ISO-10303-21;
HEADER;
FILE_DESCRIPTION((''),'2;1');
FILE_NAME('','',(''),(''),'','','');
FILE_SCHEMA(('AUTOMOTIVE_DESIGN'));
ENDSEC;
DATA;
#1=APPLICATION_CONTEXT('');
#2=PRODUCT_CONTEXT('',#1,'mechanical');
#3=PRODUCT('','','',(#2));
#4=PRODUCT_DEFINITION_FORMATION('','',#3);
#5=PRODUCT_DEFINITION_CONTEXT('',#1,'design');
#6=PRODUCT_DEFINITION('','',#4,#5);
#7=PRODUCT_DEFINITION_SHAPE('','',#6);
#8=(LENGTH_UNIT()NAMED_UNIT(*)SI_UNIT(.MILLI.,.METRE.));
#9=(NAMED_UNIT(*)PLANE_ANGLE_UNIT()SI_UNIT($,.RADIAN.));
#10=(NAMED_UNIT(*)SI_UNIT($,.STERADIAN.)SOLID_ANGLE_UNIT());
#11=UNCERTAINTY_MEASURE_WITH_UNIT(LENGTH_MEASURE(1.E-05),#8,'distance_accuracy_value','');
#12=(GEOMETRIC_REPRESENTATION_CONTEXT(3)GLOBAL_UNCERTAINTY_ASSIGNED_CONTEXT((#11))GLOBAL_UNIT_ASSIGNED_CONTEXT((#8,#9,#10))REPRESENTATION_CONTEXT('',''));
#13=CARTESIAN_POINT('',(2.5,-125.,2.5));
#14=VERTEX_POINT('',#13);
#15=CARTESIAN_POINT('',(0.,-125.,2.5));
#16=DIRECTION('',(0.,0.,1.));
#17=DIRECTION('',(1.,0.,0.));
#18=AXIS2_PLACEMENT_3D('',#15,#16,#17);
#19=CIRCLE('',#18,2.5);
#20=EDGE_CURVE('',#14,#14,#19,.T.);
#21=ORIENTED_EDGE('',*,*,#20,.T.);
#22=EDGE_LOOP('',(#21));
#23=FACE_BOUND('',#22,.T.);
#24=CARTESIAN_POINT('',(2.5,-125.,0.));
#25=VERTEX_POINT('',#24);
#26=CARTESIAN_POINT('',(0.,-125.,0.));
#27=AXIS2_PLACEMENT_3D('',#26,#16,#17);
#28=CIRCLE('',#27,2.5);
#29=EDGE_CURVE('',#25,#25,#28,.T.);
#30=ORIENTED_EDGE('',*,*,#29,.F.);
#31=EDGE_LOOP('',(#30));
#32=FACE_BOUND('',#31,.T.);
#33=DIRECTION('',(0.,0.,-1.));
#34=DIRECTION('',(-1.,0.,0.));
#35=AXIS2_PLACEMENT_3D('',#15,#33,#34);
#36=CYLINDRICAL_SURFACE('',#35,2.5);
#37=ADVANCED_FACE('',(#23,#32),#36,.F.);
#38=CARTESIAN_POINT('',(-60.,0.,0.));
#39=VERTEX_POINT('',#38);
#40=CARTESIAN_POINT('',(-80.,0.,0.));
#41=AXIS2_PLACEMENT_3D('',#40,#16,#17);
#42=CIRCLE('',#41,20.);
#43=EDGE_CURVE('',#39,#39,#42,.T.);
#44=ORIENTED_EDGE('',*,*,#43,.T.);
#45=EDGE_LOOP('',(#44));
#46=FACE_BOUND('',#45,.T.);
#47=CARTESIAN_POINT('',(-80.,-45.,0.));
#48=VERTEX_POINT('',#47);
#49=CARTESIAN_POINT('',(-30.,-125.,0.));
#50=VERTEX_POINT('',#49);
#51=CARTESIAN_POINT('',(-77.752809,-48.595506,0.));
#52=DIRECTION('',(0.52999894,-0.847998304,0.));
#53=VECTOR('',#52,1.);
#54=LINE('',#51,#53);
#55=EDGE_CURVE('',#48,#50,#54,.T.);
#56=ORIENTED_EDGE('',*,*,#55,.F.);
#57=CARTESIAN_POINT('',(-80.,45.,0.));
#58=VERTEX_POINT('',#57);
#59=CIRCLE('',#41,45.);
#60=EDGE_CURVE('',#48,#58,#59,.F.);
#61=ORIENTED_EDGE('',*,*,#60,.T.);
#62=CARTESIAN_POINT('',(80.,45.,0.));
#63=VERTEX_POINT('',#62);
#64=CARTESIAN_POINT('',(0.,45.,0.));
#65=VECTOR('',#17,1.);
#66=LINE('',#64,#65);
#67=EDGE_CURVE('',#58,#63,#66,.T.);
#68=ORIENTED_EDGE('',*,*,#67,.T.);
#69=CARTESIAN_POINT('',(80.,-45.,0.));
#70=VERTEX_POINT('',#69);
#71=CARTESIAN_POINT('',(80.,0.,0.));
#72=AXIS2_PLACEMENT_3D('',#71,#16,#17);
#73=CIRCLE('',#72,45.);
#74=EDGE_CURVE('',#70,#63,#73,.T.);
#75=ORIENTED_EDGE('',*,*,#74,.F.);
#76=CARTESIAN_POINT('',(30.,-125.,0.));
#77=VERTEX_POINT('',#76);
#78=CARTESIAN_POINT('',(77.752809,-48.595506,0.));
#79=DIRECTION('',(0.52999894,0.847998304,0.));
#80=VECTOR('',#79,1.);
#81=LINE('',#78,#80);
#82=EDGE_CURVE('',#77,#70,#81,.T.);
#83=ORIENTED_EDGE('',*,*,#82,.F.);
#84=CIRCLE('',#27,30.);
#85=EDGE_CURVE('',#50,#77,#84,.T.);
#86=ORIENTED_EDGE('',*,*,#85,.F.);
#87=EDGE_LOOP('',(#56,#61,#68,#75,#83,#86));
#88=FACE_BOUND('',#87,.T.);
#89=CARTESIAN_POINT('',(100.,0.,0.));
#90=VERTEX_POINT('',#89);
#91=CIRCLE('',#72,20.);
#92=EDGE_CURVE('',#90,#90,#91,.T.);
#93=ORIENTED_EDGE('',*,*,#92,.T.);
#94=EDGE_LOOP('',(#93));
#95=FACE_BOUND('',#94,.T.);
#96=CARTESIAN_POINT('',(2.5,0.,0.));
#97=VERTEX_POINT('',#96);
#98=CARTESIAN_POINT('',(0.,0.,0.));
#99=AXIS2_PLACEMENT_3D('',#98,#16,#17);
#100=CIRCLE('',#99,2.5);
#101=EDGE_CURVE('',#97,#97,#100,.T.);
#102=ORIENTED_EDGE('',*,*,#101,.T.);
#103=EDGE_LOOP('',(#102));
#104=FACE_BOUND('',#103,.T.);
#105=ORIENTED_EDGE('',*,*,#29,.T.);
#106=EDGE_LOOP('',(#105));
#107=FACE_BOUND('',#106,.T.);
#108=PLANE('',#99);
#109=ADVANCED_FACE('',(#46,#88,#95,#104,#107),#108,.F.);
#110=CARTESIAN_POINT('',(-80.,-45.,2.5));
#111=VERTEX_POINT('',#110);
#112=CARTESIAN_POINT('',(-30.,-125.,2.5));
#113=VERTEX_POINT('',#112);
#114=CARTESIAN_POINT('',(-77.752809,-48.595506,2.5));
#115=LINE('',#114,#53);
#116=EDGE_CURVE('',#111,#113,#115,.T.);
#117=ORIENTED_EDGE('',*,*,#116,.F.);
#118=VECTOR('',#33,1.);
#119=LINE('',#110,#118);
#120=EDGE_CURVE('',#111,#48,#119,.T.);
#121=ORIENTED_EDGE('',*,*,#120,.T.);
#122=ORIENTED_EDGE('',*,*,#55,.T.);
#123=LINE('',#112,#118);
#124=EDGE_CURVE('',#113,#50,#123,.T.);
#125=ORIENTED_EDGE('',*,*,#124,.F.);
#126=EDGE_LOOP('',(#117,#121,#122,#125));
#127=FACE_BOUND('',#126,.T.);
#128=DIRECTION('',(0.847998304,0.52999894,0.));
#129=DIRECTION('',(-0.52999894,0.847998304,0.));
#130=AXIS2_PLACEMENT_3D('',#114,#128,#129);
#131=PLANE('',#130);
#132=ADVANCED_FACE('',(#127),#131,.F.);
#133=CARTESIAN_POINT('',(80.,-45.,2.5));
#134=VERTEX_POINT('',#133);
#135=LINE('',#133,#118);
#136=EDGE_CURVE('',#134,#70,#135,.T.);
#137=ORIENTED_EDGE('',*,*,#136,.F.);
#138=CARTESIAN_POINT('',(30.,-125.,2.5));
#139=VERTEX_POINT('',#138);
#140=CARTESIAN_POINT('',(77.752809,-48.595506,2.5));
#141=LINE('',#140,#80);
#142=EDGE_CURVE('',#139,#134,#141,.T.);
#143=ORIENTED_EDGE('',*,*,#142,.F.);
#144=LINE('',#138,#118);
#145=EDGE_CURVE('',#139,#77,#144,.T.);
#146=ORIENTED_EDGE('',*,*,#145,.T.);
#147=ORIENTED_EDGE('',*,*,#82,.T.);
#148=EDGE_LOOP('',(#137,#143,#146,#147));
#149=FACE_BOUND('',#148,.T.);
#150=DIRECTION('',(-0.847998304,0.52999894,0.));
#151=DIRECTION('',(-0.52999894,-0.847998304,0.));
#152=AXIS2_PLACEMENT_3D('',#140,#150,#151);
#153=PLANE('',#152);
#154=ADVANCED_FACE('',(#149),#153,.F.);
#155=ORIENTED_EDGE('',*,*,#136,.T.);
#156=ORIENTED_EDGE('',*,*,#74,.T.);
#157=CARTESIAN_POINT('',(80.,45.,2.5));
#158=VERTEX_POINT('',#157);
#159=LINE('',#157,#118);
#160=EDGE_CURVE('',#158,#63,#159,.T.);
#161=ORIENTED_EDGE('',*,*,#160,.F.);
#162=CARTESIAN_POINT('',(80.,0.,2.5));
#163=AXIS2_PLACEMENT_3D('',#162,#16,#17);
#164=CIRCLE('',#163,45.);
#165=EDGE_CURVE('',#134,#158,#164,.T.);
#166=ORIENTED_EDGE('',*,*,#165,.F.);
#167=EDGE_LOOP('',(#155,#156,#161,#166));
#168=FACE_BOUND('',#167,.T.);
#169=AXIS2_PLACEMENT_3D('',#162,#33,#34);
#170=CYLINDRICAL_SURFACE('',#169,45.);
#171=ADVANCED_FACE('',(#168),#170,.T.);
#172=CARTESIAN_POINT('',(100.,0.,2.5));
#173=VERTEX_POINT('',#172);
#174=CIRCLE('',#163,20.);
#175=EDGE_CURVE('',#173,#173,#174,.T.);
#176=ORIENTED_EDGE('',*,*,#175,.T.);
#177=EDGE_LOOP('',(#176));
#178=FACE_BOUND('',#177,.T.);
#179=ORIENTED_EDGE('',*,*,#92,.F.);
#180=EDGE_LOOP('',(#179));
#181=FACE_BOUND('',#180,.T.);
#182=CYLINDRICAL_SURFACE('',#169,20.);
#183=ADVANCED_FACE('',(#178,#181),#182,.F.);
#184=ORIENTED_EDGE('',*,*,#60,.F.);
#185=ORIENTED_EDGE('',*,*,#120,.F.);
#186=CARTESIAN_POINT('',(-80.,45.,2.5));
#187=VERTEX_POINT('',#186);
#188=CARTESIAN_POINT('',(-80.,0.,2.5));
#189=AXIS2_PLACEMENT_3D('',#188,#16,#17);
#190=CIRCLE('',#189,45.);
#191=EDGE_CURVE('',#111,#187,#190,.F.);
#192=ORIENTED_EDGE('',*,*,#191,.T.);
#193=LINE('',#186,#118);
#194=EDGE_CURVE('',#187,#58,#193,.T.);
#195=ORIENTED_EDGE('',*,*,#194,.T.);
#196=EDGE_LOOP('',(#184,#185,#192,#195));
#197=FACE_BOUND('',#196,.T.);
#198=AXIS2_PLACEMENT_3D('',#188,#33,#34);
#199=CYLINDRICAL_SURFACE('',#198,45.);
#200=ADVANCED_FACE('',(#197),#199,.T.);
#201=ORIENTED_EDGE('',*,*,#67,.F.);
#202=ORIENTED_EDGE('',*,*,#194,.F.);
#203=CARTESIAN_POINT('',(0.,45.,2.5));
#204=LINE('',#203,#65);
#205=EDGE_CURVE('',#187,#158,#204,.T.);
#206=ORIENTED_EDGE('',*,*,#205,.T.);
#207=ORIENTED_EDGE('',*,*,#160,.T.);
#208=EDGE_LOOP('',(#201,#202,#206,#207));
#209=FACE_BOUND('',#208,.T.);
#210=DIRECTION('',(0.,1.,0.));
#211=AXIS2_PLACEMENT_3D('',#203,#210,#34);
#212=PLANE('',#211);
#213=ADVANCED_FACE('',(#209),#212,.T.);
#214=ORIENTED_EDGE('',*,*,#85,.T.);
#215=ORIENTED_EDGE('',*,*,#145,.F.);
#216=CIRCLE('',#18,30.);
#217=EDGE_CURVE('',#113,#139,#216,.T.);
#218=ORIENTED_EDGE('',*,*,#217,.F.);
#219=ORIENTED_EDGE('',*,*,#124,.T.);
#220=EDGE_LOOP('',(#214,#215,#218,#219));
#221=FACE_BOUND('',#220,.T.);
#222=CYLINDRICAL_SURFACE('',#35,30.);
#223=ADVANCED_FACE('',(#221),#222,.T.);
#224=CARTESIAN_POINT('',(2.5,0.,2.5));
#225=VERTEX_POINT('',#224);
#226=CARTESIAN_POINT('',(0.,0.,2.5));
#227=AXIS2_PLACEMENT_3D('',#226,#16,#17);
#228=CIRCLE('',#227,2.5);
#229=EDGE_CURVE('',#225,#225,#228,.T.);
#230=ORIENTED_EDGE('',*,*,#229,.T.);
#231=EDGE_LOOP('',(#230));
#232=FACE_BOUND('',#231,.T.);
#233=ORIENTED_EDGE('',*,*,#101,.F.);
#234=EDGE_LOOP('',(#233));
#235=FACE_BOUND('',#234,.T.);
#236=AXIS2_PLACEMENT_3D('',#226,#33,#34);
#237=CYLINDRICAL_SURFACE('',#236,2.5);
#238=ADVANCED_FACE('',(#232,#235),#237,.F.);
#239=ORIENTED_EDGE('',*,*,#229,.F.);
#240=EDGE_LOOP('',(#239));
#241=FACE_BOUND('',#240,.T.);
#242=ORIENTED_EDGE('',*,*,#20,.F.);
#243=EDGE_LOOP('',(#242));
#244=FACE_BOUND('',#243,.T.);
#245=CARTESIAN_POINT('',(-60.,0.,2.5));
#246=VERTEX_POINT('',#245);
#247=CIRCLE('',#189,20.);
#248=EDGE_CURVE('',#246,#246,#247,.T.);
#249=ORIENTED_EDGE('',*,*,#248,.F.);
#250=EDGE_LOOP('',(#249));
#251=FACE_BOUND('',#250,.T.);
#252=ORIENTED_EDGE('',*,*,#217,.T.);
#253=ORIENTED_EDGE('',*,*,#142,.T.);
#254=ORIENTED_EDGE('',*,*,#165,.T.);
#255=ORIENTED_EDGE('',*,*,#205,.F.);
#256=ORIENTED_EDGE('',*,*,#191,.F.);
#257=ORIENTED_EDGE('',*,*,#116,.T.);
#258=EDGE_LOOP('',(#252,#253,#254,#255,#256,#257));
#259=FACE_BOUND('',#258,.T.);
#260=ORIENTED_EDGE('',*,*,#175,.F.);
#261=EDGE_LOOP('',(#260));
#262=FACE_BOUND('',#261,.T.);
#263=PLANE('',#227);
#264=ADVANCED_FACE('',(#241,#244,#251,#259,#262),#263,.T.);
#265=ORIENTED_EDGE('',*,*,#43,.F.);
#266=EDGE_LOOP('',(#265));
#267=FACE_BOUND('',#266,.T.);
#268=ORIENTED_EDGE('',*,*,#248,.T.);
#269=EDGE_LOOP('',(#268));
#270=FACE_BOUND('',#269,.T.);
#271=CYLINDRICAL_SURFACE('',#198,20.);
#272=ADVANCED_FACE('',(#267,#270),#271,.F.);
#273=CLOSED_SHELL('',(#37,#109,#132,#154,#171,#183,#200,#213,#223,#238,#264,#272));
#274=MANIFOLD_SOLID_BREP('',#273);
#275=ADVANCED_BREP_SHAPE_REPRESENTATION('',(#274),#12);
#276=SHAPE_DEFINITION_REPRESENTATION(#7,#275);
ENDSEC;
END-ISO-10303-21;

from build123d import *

# Parameters (mm, degrees)
SKETCH1_R           = 20
SKETCH1_R_2         = 2.5
BOSS_EXTRUDE1_DEPTH = 2.5


with BuildPart() as part:
    # Sketch1 → Boss-Extrude1 (new body)
    with BuildSketch(Plane.XY):
        with BuildLine():
            Line((-80, 45), (80, 45))
            ThreePointArc((80, 45), (125, 0), (80, -45))
            Line((80, -45), (30, -125))
            ThreePointArc((30, -125), (0, -155), (-30, -125))
            Line((-30, -125), (-80, -45))
            ThreePointArc((-80, -45), (-125, 0), (-80, 45))
        make_face()
        with Locations((-80, 0)):
            Circle(SKETCH1_R, mode=Mode.SUBTRACT)
        with Locations((80, 0)):
            Circle(SKETCH1_R, mode=Mode.SUBTRACT)
        Circle(SKETCH1_R_2, mode=Mode.SUBTRACT)
        with Locations((0, -125)):
            Circle(SKETCH1_R_2, mode=Mode.SUBTRACT)
    extrude(amount=BOSS_EXTRUDE1_DEPTH)


solid = part.part
